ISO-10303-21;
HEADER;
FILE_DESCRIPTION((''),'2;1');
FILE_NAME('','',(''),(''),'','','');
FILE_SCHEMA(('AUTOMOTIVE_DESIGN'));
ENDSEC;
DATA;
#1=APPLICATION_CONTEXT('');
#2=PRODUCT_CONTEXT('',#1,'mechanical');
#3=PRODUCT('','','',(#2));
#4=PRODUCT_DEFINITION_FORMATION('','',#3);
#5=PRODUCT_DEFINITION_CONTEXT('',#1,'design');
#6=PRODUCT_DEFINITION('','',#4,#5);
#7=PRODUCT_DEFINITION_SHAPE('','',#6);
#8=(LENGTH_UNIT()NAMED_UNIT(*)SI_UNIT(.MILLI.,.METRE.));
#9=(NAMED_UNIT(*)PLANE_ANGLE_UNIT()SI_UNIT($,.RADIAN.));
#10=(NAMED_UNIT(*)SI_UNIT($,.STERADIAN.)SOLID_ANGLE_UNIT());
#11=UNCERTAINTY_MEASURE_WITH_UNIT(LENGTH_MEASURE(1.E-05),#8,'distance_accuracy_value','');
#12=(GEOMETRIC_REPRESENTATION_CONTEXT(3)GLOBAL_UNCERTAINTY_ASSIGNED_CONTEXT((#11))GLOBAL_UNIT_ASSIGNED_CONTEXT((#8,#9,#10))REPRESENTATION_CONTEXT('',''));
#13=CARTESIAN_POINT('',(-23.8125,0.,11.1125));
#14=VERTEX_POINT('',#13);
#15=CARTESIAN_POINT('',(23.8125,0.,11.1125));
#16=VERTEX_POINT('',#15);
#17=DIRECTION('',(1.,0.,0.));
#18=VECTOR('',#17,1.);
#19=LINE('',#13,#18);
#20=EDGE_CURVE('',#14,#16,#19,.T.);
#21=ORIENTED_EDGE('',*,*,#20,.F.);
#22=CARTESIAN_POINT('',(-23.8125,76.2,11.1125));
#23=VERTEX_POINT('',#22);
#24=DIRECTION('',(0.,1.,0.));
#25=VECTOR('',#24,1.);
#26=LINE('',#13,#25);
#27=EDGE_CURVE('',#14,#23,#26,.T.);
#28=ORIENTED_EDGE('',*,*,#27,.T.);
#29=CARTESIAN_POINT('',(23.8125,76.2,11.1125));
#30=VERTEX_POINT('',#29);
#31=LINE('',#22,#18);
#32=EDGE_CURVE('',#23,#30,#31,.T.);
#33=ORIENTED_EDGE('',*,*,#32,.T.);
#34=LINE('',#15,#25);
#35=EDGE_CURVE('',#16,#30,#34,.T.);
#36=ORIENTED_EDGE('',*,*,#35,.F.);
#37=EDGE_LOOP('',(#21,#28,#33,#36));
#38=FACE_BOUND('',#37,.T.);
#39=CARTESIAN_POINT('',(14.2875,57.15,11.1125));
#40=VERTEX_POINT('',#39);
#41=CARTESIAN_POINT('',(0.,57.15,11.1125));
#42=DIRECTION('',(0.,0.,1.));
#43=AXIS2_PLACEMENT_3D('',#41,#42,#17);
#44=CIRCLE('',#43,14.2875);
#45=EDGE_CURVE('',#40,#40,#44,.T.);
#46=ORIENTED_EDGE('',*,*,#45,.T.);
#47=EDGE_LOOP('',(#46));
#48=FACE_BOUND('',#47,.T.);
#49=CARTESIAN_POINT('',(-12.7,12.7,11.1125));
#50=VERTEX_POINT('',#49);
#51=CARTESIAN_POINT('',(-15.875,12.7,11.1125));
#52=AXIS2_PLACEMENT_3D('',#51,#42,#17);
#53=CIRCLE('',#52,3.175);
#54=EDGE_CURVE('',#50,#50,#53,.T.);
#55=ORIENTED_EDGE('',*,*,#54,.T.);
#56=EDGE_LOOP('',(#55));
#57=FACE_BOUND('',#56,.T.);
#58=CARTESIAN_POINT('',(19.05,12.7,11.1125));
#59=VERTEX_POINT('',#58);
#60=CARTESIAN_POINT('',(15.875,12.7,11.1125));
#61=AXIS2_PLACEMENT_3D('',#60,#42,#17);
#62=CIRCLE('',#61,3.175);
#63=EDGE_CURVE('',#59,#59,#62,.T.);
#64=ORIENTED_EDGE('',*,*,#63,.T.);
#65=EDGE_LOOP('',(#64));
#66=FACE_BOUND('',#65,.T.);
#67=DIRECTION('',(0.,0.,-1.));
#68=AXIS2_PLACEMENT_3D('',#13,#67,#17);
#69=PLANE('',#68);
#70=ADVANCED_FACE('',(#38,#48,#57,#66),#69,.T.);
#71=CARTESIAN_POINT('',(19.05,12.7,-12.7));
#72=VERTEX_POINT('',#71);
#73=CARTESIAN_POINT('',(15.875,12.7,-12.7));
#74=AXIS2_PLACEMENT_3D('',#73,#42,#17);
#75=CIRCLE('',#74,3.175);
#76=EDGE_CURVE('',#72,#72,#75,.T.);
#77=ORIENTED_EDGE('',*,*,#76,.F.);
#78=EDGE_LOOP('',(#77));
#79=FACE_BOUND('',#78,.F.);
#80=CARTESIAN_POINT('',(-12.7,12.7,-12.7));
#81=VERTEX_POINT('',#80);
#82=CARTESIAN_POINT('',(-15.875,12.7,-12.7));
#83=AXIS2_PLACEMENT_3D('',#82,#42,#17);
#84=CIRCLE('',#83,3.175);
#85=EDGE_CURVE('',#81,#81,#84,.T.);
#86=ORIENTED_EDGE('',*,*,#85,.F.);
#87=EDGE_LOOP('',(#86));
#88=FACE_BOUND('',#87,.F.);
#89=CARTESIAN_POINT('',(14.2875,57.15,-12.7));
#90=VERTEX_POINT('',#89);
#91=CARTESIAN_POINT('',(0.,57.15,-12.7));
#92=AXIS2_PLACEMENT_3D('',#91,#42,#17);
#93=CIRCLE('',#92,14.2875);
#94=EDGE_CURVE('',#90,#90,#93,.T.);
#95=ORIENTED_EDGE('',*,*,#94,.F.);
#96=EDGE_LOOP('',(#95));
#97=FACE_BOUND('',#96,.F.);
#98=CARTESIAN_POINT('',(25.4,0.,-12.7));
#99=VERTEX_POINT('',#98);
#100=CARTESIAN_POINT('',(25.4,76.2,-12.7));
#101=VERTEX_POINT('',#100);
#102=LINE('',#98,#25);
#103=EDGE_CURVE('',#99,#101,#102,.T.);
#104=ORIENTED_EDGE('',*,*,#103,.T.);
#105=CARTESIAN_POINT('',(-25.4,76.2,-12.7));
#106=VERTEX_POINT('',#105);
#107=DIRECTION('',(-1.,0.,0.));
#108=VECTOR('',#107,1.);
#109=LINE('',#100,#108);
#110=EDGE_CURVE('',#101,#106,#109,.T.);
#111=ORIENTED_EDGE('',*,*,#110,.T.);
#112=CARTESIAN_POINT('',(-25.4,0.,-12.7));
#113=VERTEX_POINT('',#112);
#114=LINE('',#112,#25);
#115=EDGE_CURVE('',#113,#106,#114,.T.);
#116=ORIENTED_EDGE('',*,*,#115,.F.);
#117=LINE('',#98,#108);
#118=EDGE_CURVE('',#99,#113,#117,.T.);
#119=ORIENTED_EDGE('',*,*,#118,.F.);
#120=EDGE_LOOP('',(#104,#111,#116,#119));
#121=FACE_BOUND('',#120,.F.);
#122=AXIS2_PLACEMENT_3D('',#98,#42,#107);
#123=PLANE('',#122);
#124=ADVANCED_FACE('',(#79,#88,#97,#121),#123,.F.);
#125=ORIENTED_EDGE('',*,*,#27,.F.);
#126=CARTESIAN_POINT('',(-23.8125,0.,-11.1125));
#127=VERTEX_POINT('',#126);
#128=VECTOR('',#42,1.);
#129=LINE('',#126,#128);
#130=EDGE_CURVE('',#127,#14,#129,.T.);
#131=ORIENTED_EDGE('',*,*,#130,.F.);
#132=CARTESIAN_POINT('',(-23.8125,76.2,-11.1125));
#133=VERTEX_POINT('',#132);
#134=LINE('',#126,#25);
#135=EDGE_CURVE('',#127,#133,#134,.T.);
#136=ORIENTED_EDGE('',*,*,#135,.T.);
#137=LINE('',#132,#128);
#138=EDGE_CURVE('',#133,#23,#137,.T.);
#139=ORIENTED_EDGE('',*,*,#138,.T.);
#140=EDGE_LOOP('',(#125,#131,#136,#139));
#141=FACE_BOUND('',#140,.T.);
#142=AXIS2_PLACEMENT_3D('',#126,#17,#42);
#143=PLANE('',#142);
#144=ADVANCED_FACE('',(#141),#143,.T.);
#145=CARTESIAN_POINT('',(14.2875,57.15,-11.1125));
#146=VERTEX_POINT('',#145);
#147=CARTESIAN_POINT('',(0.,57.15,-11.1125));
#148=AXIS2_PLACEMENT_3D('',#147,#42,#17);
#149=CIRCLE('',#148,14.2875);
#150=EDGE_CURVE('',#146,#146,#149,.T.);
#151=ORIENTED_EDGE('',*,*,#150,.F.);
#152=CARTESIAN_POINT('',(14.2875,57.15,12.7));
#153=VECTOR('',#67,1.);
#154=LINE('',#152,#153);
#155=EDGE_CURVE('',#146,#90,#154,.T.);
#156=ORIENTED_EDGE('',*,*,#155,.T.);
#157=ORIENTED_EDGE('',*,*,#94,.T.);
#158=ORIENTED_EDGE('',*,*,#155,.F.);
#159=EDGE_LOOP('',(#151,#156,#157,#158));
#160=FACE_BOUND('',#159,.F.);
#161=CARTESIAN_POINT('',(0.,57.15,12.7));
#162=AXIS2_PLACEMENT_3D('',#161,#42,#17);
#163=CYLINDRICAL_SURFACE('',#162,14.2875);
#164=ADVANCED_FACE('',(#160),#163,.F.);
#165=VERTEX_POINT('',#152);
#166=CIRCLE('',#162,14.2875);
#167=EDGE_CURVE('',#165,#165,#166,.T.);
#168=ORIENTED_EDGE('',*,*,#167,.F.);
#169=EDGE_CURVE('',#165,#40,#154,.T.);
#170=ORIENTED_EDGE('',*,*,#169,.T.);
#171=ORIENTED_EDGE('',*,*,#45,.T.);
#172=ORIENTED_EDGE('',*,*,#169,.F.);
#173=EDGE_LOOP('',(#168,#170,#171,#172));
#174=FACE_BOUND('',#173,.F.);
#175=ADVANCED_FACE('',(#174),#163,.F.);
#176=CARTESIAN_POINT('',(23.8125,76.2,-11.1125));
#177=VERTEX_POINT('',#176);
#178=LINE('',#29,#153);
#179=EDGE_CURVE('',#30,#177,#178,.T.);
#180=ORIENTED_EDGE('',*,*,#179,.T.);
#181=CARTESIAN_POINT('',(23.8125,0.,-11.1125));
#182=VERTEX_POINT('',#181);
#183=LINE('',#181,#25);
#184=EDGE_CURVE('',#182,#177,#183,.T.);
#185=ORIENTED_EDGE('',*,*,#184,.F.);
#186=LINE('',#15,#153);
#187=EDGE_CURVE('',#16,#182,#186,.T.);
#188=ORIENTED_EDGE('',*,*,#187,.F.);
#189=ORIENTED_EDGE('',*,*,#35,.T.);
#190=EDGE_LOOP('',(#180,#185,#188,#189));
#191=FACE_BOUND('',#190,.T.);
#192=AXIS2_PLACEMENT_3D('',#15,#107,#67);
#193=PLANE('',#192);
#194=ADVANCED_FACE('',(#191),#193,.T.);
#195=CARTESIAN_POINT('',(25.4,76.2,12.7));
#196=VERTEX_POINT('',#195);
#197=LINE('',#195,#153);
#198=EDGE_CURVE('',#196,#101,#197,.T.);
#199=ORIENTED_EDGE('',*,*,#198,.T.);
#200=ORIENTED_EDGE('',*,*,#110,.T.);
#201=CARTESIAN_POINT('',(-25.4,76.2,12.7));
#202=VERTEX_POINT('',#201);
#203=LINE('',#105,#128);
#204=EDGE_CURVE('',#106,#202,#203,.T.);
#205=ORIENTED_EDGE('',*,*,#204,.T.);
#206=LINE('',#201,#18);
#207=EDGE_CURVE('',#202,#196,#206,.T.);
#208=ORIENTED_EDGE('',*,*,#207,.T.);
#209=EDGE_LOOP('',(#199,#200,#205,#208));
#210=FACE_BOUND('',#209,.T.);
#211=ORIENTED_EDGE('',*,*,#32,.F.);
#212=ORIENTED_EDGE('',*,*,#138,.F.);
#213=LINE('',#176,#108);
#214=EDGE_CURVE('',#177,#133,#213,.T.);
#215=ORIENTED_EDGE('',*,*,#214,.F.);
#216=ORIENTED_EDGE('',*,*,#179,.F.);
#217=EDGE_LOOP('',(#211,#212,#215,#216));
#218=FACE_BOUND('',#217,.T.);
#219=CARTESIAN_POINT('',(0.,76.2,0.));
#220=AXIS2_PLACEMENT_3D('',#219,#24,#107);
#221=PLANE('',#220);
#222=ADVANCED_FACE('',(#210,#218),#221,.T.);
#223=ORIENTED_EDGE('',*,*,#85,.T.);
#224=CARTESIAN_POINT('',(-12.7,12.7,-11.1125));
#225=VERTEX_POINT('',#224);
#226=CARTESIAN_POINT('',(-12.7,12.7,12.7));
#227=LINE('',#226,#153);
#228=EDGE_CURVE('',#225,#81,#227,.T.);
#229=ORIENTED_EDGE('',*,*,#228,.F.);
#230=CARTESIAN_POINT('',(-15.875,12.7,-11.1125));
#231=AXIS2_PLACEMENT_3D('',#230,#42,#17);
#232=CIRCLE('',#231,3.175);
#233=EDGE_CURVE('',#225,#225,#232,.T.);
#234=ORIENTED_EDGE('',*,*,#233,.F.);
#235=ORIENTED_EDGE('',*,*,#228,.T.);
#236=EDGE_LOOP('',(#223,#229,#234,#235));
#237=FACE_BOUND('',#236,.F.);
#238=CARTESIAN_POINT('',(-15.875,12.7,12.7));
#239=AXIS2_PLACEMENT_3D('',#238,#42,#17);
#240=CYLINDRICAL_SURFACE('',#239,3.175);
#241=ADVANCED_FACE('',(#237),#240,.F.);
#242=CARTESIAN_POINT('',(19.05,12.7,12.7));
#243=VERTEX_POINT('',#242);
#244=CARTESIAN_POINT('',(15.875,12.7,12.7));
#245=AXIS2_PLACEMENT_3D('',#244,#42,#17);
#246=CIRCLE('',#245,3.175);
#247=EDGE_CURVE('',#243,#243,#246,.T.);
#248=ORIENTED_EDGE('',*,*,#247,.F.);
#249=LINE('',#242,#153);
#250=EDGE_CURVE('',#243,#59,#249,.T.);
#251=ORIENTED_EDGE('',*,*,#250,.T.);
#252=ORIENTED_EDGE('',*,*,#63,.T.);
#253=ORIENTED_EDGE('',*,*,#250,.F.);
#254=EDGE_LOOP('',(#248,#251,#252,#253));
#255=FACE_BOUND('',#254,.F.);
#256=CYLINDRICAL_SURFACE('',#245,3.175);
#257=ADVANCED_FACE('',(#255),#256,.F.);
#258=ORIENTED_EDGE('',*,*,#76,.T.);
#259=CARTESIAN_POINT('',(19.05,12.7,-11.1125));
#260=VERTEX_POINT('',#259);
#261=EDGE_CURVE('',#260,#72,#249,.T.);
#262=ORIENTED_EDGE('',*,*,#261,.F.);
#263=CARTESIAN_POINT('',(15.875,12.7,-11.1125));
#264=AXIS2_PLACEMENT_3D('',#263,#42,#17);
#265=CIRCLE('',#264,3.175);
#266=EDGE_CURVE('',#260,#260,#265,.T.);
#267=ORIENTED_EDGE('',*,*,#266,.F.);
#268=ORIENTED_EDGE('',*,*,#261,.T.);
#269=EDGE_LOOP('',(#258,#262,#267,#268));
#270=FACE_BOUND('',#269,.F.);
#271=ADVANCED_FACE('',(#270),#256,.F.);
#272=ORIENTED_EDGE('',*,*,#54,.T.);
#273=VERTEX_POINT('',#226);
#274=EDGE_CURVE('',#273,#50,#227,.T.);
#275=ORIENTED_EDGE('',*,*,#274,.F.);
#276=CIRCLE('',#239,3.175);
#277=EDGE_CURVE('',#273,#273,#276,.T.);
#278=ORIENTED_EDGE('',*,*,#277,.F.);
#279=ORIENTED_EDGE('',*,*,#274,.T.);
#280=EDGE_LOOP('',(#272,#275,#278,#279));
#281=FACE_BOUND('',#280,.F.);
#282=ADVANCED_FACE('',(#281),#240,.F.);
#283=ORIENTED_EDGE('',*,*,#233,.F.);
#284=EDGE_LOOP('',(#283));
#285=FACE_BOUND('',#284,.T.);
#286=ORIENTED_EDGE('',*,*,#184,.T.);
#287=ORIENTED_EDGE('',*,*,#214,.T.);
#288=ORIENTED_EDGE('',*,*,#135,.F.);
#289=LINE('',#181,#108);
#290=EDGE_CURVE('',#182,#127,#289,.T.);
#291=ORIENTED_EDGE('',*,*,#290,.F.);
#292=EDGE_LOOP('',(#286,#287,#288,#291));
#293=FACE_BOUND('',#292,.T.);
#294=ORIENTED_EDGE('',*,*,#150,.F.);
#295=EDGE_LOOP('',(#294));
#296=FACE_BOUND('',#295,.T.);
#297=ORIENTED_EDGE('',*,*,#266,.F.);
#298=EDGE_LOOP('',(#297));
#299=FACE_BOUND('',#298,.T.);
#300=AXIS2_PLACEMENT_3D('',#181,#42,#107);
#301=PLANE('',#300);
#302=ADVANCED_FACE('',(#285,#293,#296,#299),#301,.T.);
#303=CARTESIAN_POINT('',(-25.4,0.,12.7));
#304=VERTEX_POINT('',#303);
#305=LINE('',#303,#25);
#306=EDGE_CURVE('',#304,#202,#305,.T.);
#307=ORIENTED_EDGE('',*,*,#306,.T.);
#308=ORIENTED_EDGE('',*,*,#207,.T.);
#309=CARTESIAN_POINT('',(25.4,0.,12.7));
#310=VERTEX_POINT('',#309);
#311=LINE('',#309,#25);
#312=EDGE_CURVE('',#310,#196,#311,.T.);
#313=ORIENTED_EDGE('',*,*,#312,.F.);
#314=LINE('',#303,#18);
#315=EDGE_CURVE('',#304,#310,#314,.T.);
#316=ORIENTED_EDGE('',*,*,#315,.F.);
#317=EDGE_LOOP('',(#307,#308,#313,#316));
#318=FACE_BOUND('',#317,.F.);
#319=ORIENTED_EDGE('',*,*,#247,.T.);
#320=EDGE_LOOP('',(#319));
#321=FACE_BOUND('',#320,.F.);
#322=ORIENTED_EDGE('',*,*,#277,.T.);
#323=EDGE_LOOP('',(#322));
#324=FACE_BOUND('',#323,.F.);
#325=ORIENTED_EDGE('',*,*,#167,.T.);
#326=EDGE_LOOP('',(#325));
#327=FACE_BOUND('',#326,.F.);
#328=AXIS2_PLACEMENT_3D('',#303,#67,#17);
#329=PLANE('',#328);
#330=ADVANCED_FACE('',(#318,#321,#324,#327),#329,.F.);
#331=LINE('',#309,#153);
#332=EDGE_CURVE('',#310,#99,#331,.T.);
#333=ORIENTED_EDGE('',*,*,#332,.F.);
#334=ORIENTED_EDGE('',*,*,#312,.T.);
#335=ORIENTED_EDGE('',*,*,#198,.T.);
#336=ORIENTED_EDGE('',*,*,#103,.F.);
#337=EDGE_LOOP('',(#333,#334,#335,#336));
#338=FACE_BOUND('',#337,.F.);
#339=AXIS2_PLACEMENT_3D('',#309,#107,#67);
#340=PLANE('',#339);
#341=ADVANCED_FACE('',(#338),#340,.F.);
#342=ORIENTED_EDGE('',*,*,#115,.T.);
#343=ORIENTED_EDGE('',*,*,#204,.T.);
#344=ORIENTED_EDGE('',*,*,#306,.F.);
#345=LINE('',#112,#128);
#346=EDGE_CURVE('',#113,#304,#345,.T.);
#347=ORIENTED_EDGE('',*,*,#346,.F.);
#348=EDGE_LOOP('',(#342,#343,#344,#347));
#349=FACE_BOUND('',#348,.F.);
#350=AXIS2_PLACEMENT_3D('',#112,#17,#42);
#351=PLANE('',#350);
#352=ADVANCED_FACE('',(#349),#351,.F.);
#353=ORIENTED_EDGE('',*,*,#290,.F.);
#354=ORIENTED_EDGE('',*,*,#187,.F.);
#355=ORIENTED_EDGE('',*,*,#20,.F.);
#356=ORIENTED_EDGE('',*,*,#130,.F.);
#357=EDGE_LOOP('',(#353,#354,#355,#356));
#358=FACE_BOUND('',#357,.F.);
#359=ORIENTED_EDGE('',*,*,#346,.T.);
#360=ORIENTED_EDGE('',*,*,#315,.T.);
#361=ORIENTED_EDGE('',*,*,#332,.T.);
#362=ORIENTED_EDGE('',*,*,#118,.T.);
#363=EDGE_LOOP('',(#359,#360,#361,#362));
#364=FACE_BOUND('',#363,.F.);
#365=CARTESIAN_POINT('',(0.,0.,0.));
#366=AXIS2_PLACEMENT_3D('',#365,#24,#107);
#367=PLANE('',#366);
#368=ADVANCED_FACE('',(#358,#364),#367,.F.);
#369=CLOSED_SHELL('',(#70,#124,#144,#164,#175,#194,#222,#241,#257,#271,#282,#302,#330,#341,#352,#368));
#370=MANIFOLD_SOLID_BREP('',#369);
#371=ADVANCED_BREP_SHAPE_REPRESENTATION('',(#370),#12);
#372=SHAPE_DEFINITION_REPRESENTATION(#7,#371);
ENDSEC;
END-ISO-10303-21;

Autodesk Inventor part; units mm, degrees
ref_plane "YZ Plane" through (0, 0, 0) normal (1, 0, 0) x (0, 1, 0)
ref_plane "XZ Plane" through (0, 0, 0) normal (0, 1, 0) x (-1, 0, 0)
ref_plane "XY Plane" through (0, 0, 0) normal (0, 0, 1) x (1, 0, 0)
sketch "Sketch1" plane through (0, 0, 0) normal (0, 1, 0) x (-1, 0, 0)
  line L0 (-25.4, -12.7) -> (25.4, -12.7)
  line L1 (25.4, -12.7) -> (25.4, 12.7)
  line L2 (25.4, 12.7) -> (-25.4, 12.7)
  line L3 (-25.4, 12.7) -> (-25.4, -12.7)
  line L4 (-25.4, -12.7) -> (25.4, 12.7) construction
  line L5 (25.4, -12.7) -> (-25.4, 12.7) construction
  line L6 (-23.8125, -11.9062) -> (23.8125, 11.9062) construction
  line L7 (23.8125, -11.9062) -> (-23.8125, 11.9062) construction
  line L8 (23.8125, 11.1125) -> (-23.8125, 11.1125)
  line L9 (-23.8125, 11.1125) -> (-23.8125, -11.1125)
  line L10 (-23.8125, -11.1125) -> (23.8125, -11.1125)
  line L11 (23.8125, -11.1125) -> (23.8125, 11.1125)
  point P0 (0, 0)
  dimension "d1" = 25.4
  dimension "d4" = 50.8
  dimension "d7" = 1.5875
  dimension "d8" = 1.5875
  dimension "d9" = 1.5875
  dimension "d10" = 1.5875
extrude "Extrusion2" add sketch "Sketch1" along normal blind 76.2
sketch "Sketch2" plane through (-25.4, 0, 12.7) normal (0, 0, 1) x (1, 0, 0)
  circle A0 centre (25.4, 57.15) radius 14.2875
  circle A1 centre (9.525, 12.7) radius 3.175
  circle A2 centre (41.275, 12.7) radius 3.175
  line L0 (0, 0) -> (0, 76.2) projected
  line L1 (0, 0) -> (50.8, 0) projected
  line L2 (0, 76.2) -> (50.8, 76.2) projected
  point P0 (25.4, 0)
  dimension "d13" = 28.575
  dimension "d14" = 31.75
  dimension "d15" = 9.525
  dimension "d16" = 12.7
  dimension "d17" = 12.7
  dimension "d18" = 19.05
  dimension "d19" = 6.35
  dimension "d20" = 6.35
extrude "Extrusion3" cut sketch "Sketch2" against normal blind 76.2
equation "\"d8\" = d7"
equation "\"d9\" = d7"
equation "\"d10\" = d7"
properties part number "1x2 hexshaft mount"
